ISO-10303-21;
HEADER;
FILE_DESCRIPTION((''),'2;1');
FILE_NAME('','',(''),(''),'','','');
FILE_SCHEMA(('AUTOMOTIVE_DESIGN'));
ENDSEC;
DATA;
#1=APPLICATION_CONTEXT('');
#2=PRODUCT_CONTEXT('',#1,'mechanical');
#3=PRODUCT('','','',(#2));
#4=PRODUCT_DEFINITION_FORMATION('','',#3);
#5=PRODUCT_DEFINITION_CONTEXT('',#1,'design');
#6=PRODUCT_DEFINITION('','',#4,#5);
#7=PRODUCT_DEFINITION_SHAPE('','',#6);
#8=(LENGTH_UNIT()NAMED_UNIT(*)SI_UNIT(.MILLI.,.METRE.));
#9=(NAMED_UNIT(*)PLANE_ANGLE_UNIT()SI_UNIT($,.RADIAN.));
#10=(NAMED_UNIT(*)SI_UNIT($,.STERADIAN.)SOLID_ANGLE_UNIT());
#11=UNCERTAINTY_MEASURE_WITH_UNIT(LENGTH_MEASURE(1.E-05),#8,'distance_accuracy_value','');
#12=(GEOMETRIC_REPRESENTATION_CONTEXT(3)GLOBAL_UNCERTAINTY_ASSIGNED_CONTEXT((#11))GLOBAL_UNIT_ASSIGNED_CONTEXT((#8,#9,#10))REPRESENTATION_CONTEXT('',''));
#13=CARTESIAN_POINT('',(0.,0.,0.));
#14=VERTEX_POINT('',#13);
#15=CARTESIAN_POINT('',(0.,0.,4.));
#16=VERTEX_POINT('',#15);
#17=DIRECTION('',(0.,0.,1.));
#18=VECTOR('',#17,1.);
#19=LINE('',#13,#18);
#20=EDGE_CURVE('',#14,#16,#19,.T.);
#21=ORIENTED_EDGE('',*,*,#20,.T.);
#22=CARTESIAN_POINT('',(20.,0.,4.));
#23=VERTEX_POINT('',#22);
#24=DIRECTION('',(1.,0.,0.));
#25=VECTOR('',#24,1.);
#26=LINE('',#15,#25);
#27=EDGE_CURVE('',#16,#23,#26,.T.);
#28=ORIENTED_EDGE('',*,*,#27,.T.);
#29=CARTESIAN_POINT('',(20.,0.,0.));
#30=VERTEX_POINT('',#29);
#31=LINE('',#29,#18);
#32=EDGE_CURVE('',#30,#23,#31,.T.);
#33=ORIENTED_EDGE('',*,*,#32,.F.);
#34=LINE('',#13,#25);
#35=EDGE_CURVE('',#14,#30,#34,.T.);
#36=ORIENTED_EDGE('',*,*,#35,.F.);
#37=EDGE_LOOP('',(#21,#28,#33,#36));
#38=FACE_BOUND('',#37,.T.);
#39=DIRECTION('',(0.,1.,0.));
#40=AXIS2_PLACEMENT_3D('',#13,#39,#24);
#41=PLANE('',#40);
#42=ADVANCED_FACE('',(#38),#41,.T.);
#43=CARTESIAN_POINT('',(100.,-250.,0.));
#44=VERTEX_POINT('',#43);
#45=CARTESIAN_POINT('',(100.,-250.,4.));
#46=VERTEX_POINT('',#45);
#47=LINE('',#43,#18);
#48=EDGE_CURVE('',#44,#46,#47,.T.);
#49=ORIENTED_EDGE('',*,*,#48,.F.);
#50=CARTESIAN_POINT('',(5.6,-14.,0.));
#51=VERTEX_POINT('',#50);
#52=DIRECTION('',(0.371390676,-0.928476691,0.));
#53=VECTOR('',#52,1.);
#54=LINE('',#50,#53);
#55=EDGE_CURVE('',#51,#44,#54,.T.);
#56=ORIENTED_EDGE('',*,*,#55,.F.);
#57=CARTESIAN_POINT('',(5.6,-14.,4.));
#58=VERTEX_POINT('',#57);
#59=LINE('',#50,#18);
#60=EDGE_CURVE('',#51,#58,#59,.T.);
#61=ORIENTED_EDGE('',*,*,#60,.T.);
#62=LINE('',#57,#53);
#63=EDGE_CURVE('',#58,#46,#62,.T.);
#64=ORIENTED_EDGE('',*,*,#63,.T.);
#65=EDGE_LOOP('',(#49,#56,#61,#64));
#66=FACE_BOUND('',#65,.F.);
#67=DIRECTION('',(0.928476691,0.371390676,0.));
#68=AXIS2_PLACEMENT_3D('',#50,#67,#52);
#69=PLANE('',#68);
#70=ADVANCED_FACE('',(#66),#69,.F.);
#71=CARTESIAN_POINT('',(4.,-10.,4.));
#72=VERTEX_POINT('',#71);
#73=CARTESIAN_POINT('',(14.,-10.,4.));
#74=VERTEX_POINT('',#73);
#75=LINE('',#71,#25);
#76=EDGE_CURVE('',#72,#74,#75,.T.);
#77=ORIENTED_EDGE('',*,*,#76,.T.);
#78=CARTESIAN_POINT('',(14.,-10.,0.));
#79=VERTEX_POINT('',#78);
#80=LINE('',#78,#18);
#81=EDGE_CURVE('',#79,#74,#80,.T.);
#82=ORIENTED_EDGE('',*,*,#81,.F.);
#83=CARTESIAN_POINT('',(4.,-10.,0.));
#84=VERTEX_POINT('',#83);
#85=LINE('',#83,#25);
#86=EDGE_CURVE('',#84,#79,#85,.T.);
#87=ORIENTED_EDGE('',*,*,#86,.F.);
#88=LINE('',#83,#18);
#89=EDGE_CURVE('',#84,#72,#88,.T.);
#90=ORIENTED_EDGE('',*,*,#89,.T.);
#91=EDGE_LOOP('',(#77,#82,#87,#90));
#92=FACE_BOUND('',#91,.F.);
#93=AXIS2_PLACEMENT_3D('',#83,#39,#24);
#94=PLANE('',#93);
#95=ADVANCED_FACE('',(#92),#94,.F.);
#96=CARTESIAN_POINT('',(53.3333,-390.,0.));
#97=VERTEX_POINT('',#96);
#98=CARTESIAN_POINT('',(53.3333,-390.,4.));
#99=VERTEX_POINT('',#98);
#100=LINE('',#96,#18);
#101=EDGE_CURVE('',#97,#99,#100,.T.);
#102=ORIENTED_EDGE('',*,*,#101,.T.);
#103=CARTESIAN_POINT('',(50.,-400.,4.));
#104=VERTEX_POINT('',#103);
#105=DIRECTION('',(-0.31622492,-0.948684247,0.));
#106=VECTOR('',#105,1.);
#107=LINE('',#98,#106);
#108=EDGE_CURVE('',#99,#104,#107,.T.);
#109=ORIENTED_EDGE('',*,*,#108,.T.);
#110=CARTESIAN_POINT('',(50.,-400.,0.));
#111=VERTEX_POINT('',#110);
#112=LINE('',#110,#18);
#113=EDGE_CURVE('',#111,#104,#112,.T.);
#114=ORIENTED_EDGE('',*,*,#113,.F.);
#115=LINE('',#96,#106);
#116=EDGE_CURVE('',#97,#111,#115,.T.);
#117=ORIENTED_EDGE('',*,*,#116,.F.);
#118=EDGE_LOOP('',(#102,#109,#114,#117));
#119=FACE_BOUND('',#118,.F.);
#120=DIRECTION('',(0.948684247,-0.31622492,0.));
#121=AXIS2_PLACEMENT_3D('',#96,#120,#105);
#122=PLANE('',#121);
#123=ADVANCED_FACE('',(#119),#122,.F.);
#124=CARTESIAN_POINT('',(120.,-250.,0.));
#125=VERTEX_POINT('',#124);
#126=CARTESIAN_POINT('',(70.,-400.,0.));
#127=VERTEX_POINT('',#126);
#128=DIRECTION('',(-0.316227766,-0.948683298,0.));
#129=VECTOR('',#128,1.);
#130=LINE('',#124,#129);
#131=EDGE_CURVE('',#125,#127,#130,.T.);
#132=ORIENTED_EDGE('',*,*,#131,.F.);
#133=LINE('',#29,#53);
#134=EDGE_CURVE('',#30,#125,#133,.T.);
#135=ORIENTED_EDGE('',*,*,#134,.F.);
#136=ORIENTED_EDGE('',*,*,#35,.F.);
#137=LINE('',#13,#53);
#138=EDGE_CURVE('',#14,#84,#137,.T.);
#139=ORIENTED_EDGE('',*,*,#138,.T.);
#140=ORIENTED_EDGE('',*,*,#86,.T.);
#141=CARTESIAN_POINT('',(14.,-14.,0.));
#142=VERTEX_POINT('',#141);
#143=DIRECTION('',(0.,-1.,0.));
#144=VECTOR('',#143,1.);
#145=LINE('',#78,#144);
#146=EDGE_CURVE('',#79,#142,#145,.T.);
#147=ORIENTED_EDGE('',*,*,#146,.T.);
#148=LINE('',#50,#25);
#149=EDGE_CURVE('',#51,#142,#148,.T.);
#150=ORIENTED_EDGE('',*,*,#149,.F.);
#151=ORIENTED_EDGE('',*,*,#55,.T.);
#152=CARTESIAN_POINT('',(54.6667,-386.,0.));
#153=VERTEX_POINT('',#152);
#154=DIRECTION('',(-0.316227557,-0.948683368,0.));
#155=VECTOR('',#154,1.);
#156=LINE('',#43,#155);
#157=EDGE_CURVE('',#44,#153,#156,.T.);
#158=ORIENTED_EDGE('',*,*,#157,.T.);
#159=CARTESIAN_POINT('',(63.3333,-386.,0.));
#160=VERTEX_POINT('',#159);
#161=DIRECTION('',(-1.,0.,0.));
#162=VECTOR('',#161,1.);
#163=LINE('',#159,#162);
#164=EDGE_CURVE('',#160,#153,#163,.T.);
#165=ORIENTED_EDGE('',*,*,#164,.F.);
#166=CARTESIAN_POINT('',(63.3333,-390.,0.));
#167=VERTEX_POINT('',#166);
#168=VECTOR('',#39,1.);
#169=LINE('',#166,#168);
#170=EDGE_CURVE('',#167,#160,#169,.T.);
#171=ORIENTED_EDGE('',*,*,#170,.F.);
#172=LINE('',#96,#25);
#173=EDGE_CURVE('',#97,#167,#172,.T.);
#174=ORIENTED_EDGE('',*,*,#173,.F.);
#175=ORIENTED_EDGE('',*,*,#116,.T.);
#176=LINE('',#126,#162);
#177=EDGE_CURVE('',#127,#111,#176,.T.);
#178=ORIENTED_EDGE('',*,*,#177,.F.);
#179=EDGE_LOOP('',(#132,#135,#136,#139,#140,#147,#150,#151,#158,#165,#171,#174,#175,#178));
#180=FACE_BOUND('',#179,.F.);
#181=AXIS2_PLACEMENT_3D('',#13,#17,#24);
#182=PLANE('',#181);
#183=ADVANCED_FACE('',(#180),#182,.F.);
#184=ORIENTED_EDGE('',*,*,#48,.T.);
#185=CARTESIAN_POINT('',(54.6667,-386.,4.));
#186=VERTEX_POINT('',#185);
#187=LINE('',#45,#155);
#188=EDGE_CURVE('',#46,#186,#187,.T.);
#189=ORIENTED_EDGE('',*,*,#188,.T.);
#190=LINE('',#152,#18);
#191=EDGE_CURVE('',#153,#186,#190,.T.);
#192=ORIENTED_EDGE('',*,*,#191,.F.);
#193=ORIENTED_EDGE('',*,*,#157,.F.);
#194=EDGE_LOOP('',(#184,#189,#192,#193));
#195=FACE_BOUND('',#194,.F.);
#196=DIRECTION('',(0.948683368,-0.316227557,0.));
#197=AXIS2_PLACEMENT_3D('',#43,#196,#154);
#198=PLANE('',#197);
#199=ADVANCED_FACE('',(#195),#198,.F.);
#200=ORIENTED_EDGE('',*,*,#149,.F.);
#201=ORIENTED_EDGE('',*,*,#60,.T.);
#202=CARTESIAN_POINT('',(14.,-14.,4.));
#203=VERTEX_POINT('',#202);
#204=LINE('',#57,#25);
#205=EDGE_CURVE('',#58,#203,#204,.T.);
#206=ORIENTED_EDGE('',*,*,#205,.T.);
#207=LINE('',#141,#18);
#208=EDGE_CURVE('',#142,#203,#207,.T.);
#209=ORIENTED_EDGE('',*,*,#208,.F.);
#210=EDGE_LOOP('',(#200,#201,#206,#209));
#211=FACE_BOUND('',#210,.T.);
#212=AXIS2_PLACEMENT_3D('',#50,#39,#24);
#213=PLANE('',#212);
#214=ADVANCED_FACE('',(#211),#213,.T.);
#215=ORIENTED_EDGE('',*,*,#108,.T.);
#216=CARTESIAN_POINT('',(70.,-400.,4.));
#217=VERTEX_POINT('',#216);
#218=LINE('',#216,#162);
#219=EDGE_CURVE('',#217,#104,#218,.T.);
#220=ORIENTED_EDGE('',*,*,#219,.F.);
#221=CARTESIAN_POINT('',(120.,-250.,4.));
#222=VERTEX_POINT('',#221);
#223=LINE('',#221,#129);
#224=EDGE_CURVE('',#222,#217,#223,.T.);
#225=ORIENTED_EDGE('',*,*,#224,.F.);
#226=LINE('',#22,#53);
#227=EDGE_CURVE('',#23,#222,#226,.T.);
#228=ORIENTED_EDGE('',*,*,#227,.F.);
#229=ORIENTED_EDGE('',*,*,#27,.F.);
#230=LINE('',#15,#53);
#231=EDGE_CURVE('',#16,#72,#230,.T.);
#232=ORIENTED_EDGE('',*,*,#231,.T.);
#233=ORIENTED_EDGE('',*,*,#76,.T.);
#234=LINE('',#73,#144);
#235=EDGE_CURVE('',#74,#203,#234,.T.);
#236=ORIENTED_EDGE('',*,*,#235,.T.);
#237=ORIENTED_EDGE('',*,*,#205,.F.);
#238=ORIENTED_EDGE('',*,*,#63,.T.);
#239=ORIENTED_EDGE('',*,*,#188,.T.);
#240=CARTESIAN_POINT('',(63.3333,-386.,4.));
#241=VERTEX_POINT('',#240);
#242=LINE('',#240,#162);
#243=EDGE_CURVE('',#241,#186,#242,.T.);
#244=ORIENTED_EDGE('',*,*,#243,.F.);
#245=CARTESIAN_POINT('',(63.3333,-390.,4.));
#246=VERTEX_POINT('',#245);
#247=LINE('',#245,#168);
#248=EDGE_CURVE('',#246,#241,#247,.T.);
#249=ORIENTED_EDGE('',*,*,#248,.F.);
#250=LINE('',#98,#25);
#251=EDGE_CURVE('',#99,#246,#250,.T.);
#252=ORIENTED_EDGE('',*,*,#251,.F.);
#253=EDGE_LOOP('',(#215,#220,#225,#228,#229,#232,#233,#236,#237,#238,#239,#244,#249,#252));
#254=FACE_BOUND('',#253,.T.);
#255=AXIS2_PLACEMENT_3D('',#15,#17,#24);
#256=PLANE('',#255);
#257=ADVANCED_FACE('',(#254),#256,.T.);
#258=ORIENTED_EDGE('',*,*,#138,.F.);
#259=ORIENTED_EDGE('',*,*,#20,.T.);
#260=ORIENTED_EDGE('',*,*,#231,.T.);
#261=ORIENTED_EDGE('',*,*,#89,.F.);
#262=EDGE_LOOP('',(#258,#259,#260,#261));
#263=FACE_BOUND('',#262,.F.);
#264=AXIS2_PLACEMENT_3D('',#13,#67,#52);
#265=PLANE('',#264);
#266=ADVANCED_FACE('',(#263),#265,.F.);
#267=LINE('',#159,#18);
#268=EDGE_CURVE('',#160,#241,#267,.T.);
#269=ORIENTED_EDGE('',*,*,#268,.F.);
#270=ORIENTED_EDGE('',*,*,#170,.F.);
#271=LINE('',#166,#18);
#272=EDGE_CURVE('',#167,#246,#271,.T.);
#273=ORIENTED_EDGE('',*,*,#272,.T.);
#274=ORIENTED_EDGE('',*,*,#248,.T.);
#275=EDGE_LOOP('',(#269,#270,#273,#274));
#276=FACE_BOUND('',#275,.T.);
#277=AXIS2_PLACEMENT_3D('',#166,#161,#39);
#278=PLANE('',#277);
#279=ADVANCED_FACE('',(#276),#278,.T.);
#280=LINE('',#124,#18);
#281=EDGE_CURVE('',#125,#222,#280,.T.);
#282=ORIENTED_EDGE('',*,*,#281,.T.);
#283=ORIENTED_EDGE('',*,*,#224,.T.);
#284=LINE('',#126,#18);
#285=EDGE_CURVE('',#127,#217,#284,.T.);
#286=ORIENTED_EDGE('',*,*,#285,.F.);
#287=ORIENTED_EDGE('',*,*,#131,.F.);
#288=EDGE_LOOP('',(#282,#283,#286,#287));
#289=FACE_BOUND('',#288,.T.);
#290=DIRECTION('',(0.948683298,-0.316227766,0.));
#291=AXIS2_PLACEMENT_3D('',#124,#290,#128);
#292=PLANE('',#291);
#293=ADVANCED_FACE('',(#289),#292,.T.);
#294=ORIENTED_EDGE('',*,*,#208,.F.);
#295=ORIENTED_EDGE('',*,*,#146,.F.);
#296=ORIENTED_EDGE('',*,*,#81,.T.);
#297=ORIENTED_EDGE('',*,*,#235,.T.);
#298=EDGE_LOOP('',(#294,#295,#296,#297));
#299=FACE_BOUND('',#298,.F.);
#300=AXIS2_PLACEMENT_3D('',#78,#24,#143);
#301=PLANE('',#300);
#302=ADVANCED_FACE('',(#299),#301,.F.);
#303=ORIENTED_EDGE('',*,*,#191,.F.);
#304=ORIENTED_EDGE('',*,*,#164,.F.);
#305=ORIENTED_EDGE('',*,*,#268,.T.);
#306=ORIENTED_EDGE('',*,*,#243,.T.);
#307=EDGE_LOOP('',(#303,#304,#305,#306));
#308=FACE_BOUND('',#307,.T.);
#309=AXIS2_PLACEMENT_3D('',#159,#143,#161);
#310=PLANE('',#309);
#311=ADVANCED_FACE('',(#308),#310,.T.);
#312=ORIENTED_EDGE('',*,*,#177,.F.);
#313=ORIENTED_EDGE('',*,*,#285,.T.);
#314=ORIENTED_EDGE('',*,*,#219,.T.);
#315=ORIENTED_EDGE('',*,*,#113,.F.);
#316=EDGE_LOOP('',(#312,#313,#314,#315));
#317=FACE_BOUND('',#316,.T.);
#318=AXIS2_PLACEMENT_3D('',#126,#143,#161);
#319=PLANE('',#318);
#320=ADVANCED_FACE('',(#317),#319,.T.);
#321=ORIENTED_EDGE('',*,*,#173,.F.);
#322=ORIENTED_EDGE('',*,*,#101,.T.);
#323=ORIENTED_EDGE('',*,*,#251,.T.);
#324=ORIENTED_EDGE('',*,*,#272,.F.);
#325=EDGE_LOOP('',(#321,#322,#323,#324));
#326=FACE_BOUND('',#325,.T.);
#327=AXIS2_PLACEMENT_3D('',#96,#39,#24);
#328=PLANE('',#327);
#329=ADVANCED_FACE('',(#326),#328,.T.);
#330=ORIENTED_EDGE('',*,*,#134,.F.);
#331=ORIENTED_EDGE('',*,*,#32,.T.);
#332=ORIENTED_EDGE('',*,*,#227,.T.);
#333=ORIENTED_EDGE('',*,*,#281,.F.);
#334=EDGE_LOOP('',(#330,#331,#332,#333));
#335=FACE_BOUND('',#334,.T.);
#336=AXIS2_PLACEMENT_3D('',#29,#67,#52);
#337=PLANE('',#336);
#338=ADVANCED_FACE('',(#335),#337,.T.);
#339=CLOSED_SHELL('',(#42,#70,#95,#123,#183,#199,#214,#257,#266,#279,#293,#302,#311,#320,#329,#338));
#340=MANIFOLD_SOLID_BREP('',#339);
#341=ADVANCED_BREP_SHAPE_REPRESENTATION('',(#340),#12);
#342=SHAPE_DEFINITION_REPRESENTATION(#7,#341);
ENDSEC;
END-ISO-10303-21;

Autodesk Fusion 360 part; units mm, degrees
sketch "Sketch1" plane through (0, 0, 0) normal (0, 0, 1) x (1, 0, 0)
  line L0 (0, 0) -> (20, 0)
  line L1 (20, 0) -> (120, -250)
  line L2 (120, -250) -> (70, -400)
  line L3 (70, -400) -> (50, -400)
  line L4 (4, -10) -> (14, -10)
  line L5 (53.3333, -390) -> (63.3333, -390)
  line L6 (63.3333, -386) -> (54.6667, -386)
  line L7 (100, -250) -> (54.6667, -386)
  line L8 (53.3333, -390) -> (50, -400)
  line L9 (0, 0) -> (4, -10)
  line L10 (5.6, -14) -> (100, -250)
  line L11 (14, -10) -> (14, -14)
  line L12 (5.6, -14) -> (14, -14)
  line L13 (63.3333, -390) -> (63.3333, -386)
  dimension "d4" = 400
  dimension "d5" = 50
  dimension "d6" = 50
  dimension "d7" = 250
  dimension "d9" = 20
  dimension "d10" = 20
  dimension "d11" = 20
  dimension "d12" = 10
  dimension "d13" = 4
  dimension "d14" = 10
  dimension "d15" = 10
  dimension "d16" = 4
  dimension "d17" = 10
  dimension "d27" = 4
extrude "Extrude1" add sketch "Sketch1" along normal blind 4
sketch "Sketch1 (2)" plane through (0, 0, 0) normal (0, 0, 1) x (1, 0, 0) in component "Lampi1"
component "Lampi1" placed x (1, 0, 0) y (0, 1, 0) z (0, 0, 1) at (0, 0, 0)
equation "d4 = haed_skerms"
equation "d5 = umfram_radius"
equation "d6 = umfram_radius"
equation "d7 = haed_u"
equation "d9 = þykkt_eining"
equation "d10 = þykkt_eining"
equation "d11 = þykkt_eining"
equation "d12 = dypt_pressfit"
equation "d13 = þykkt"
equation "d14 = dypt_pressfit"
equation "d15 = dypt_pressfit"
equation "d16 = þykkt"
equation "d17 = dypt_pressfit"
equation "haed_skerms = 400 mm"
equation "haed_u = 250 mm"
equation "head_l = 150 mm"
equation "þykkt = 4 mm"
equation "dypt_pressfit = 10 mm"
equation "umfram_radius = 50 mm"
equation "þykkt_eining = 20 mm"
